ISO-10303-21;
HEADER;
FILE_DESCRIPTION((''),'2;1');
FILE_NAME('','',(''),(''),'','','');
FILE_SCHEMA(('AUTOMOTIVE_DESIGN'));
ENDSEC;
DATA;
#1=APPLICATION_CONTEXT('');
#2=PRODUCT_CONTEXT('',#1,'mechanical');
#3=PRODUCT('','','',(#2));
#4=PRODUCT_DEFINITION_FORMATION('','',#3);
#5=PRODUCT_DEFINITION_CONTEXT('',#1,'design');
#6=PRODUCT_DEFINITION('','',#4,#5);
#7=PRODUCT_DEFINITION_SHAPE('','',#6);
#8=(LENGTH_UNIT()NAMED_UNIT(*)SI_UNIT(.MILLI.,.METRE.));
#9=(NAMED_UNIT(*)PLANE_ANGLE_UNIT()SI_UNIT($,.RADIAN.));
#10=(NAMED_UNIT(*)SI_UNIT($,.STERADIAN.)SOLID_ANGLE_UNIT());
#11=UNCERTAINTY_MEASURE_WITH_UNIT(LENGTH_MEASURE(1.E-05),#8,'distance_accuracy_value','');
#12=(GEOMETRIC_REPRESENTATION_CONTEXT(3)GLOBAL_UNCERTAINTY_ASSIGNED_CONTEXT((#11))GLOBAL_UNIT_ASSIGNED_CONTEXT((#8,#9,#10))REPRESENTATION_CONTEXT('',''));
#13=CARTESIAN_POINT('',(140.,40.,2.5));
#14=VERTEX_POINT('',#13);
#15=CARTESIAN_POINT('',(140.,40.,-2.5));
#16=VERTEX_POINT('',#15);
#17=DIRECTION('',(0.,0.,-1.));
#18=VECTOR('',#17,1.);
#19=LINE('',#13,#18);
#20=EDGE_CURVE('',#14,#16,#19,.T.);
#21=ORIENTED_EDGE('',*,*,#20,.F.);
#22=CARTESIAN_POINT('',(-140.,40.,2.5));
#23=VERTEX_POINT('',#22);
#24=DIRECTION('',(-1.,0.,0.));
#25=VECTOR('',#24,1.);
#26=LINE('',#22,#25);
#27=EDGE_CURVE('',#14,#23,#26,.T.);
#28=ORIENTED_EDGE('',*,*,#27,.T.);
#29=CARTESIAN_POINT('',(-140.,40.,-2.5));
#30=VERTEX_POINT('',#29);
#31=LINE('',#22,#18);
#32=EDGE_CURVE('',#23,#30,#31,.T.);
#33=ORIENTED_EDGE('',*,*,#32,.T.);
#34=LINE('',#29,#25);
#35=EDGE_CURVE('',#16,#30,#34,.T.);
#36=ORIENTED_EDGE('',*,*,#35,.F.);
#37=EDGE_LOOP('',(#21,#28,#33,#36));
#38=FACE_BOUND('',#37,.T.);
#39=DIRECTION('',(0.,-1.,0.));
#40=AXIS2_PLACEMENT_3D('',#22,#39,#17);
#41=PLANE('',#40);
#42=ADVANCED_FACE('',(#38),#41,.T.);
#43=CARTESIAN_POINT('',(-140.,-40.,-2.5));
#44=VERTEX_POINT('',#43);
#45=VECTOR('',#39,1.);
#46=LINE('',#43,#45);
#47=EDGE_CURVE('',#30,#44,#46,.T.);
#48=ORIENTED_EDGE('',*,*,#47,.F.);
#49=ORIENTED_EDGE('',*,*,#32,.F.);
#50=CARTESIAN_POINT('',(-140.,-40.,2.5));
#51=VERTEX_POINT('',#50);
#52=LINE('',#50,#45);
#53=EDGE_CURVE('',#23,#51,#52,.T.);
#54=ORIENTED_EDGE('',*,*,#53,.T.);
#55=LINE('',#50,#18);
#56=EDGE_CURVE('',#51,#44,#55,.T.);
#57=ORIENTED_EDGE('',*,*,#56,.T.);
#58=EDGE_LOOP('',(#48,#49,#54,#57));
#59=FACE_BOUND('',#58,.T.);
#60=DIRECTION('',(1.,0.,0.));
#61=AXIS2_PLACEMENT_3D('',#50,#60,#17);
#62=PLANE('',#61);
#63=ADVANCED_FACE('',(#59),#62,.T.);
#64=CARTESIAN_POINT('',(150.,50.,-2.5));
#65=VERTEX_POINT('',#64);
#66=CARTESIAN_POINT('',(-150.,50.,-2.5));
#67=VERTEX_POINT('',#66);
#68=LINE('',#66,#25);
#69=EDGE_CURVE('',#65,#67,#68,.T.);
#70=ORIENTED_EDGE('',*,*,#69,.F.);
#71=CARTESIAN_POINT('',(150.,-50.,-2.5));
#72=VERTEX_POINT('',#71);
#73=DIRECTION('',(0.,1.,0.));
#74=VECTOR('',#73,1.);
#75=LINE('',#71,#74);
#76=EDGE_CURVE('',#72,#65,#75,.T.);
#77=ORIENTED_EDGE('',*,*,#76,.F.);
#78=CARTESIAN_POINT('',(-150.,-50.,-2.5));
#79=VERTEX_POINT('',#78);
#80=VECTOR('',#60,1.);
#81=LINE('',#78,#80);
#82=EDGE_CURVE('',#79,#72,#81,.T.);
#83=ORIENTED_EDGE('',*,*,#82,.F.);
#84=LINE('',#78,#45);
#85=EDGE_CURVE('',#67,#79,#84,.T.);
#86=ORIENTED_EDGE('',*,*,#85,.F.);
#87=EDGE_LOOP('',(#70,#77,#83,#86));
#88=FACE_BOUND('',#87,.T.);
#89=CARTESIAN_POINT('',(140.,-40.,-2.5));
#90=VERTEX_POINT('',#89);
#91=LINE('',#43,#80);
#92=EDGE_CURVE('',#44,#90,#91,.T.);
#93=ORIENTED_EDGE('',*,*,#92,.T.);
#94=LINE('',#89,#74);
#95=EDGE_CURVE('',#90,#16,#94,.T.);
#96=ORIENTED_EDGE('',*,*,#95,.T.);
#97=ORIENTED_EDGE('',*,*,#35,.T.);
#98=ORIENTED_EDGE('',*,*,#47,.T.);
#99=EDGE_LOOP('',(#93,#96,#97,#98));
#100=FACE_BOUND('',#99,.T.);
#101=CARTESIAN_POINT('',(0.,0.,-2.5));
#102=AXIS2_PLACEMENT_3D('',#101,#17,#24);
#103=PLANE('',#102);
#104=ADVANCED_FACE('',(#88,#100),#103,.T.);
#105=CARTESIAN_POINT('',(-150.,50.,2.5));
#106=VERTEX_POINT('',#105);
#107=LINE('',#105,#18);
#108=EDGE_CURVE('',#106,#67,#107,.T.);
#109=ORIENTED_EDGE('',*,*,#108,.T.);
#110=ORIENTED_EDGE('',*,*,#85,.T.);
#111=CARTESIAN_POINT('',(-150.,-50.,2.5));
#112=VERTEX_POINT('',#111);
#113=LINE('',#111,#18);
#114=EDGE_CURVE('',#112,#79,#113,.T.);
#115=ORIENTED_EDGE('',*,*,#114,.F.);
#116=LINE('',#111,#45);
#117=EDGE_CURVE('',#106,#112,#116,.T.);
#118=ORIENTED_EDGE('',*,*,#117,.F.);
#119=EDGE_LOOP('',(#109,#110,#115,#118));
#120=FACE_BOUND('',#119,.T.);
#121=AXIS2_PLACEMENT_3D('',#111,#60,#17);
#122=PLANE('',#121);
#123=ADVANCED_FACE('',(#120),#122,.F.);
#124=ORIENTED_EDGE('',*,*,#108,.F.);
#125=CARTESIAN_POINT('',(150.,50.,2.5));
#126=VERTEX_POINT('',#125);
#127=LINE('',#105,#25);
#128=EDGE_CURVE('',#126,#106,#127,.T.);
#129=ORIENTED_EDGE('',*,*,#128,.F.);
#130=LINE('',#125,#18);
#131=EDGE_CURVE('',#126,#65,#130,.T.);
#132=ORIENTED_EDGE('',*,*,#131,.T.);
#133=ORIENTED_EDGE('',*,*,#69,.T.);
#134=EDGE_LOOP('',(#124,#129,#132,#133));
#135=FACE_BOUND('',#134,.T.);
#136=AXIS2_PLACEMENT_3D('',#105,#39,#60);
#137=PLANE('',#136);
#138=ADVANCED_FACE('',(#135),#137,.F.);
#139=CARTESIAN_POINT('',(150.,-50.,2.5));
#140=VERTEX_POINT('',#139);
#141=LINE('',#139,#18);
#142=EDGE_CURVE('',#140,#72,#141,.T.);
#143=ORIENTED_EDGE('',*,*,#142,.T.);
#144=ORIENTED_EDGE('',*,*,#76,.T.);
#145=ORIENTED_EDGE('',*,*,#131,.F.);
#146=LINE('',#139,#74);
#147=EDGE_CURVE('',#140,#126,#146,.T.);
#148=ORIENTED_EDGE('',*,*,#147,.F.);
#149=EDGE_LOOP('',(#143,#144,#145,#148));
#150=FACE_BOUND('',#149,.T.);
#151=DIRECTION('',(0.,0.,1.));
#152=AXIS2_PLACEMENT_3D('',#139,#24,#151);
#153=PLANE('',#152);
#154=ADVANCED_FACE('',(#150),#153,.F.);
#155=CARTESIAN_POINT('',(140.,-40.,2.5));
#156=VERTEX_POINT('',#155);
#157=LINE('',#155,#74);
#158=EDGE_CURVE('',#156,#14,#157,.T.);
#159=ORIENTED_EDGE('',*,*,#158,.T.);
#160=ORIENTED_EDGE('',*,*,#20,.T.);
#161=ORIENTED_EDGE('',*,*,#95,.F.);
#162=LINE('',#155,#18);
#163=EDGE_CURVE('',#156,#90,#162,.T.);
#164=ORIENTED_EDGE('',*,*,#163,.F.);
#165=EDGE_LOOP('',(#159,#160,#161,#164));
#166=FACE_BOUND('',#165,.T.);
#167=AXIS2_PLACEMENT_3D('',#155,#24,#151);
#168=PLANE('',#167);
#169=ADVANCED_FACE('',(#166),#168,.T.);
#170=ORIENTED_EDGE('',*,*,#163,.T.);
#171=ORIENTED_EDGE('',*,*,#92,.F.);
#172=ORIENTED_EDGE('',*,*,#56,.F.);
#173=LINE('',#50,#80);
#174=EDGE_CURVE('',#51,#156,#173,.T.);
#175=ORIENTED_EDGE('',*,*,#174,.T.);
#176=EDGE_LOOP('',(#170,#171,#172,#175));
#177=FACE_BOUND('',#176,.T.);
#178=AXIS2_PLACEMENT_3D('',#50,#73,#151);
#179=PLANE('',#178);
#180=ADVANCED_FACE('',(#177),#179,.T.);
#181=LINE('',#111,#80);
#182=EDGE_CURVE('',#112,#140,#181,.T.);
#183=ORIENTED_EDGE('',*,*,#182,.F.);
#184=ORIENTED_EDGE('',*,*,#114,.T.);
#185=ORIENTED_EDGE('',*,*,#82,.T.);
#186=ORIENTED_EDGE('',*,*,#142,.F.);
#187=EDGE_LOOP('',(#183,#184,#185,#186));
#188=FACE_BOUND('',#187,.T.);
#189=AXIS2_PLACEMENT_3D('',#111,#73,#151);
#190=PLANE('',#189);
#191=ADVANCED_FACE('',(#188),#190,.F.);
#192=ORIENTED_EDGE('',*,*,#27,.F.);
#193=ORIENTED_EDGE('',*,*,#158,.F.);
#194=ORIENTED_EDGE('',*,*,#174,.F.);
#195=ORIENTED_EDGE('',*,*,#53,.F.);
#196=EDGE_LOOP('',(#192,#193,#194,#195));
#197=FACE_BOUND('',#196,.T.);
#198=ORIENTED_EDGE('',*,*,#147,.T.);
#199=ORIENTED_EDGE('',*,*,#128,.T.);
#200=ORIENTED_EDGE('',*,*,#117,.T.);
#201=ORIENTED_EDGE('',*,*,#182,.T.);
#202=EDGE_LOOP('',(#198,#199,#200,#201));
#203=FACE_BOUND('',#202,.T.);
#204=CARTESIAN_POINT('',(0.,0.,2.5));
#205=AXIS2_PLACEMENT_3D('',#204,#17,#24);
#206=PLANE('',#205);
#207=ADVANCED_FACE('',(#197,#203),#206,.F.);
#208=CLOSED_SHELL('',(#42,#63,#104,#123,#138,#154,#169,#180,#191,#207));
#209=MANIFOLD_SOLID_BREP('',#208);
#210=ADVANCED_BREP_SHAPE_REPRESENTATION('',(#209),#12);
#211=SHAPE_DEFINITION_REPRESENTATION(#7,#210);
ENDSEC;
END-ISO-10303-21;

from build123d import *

# Parameters (mm, degrees)
SKETCH1_W           = 300
SKETCH1_H           = 100
SKETCH1_W_2         = 280
SKETCH1_H_2         = 80
BOSS_EXTRUDE1_DEPTH = 2.5


with BuildPart() as part:
    # Sketch1 → Boss-Extrude1 (new body, symmetric)
    with BuildSketch(Plane.XY):
        Rectangle(SKETCH1_W, SKETCH1_H)
        Rectangle(SKETCH1_W_2, SKETCH1_H_2, mode=Mode.SUBTRACT)
    extrude(amount=BOSS_EXTRUDE1_DEPTH, both=True)


solid = part.part
